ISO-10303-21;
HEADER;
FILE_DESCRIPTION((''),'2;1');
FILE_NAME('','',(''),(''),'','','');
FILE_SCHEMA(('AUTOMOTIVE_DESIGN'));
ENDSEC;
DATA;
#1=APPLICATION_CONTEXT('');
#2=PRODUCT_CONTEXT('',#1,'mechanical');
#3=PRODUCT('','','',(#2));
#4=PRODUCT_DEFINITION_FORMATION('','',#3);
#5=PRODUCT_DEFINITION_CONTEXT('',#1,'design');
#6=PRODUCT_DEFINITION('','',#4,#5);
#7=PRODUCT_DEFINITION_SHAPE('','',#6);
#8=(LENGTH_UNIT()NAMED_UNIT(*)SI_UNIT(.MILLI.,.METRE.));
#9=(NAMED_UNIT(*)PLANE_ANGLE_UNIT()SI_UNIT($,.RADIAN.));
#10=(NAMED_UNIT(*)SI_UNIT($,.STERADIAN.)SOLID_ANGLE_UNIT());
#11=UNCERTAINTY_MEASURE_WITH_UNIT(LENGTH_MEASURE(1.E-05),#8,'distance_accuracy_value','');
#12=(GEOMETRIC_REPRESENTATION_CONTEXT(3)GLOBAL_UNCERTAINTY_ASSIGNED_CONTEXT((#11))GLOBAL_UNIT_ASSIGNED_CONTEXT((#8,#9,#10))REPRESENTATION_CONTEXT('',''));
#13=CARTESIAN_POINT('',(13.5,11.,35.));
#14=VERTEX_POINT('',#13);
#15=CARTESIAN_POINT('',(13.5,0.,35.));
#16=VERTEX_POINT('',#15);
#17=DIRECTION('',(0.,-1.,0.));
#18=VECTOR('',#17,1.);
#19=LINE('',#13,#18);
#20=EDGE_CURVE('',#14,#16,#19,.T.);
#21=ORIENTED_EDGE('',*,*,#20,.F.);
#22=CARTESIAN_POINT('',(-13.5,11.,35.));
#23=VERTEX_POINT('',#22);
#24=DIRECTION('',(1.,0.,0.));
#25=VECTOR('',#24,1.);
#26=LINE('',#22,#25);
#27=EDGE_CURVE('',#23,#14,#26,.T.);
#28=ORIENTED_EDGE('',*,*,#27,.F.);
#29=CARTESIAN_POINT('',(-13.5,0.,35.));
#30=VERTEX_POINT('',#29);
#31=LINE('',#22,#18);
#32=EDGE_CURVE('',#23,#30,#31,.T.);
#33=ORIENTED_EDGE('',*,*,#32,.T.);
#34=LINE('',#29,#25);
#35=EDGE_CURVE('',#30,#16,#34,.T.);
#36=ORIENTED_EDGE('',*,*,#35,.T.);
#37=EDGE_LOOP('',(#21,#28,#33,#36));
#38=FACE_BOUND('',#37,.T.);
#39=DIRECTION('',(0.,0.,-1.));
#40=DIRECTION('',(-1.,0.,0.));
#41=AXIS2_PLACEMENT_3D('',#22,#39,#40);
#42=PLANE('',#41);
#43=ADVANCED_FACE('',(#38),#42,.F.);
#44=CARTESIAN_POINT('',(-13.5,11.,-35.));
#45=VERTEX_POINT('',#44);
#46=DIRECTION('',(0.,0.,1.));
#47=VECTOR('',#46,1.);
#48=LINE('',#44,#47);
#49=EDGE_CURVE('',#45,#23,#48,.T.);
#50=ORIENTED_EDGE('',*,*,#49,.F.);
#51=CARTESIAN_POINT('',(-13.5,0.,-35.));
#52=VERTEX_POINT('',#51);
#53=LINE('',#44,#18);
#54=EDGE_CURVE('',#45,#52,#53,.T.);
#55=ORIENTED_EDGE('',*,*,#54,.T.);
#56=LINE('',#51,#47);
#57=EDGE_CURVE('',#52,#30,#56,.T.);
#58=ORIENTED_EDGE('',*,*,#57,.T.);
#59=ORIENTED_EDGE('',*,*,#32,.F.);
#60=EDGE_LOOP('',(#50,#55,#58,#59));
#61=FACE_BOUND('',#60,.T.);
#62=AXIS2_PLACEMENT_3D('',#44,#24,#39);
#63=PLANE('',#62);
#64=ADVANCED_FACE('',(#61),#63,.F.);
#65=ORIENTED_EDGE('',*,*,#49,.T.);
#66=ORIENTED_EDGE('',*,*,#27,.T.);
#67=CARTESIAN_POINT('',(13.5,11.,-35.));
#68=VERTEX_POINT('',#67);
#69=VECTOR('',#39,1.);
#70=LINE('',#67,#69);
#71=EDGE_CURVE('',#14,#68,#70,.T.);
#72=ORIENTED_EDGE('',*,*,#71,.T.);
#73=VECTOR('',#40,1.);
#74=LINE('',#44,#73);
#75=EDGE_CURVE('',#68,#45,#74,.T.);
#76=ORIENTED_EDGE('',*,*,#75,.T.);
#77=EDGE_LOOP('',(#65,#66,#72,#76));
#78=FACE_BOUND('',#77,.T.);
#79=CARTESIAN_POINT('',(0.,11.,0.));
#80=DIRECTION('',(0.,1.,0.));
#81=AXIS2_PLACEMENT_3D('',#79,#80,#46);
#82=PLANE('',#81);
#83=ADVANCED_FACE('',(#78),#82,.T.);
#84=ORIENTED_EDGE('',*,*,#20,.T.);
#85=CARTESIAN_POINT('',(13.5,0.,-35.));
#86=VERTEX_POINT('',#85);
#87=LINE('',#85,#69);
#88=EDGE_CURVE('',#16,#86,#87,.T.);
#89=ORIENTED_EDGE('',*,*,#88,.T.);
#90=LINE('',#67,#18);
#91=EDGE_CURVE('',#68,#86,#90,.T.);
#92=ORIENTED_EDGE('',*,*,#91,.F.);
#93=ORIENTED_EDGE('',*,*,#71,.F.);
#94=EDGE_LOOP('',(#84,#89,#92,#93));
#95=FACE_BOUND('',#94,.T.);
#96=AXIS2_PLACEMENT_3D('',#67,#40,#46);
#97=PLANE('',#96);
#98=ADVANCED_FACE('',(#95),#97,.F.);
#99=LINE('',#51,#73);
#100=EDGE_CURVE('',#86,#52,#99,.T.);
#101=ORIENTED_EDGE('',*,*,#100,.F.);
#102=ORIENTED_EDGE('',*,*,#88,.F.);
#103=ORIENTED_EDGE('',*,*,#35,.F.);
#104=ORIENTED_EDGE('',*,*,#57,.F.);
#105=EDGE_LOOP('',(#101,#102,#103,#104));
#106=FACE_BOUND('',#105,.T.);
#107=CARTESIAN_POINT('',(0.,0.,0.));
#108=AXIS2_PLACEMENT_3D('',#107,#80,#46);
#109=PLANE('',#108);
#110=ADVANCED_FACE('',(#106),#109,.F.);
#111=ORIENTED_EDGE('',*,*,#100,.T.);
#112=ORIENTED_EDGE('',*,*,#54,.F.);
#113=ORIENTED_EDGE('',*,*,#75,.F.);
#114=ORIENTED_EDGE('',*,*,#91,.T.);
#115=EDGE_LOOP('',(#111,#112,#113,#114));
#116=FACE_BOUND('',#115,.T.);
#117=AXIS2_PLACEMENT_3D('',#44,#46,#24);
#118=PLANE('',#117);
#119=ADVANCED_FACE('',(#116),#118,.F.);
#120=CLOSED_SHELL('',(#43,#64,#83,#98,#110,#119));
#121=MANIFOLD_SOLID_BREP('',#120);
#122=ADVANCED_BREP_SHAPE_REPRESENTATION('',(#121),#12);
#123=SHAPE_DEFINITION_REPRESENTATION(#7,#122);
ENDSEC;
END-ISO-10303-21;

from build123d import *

# Parameters (mm, degrees)
SKETCH1_W           = 27
SKETCH1_H           = 70
BOSS_EXTRUDE1_DEPTH = 11


with BuildPart() as part:
    # Sketch1 → Boss-Extrude1 (new body)
    with BuildSketch(Plane(origin=(0, 0, 0), x_dir=(1, 0, 0), z_dir=(0, 1, 0))):
        Rectangle(SKETCH1_W, SKETCH1_H)
    extrude(amount=BOSS_EXTRUDE1_DEPTH)


solid = part.part
